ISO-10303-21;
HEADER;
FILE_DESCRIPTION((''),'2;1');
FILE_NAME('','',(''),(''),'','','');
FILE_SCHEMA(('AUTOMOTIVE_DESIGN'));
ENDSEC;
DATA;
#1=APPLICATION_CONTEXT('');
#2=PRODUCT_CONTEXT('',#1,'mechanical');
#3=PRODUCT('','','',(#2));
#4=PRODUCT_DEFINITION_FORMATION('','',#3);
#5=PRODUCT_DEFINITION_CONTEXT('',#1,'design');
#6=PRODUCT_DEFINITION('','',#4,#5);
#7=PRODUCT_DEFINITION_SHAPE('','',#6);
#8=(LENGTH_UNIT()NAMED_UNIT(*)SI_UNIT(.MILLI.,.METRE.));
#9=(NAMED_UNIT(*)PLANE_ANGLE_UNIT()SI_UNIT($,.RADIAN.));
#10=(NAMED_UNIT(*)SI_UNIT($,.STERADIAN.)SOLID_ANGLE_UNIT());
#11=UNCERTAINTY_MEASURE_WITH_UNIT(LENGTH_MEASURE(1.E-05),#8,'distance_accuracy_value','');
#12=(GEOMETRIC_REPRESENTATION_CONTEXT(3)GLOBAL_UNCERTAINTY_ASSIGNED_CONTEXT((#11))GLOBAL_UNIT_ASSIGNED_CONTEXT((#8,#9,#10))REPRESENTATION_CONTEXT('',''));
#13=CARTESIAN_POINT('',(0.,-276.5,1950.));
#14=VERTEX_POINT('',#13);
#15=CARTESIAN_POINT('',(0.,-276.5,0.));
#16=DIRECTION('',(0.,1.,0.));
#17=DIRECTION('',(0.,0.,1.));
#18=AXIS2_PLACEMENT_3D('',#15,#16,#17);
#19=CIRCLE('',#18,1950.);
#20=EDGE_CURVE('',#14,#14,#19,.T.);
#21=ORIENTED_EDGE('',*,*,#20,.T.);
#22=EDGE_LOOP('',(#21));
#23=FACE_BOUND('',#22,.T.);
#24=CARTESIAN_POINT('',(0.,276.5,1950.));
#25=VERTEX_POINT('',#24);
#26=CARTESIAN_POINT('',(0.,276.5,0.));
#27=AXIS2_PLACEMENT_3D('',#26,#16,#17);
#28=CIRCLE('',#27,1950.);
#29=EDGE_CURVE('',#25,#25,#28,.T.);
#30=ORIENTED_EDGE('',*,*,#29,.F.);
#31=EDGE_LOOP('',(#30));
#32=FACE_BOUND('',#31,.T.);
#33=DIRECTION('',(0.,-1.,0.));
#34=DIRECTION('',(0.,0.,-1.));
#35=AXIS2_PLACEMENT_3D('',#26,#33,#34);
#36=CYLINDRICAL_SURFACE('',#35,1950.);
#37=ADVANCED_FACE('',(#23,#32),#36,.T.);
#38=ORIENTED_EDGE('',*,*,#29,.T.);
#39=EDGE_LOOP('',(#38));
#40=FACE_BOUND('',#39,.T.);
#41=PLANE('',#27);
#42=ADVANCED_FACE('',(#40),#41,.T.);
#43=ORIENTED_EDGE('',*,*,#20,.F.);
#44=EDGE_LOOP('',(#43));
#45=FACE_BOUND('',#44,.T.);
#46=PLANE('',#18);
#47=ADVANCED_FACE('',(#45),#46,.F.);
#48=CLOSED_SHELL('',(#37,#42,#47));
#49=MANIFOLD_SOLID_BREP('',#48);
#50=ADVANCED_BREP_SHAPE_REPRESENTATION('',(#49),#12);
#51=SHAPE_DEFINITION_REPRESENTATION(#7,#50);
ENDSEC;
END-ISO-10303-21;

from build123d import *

# Parameters (mm, degrees)
SKETCH1_R           = 1950
BOSS_EXTRUDE1_DEPTH = 276.5


with BuildPart() as part:
    # Sketch1 → Boss-Extrude1 (new body, symmetric)
    with BuildSketch(Plane(origin=(0, 0, 0), x_dir=(1, 0, 0), z_dir=(0, 1, 0))):
        Circle(SKETCH1_R)
    extrude(amount=BOSS_EXTRUDE1_DEPTH, both=True)


solid = part.part
